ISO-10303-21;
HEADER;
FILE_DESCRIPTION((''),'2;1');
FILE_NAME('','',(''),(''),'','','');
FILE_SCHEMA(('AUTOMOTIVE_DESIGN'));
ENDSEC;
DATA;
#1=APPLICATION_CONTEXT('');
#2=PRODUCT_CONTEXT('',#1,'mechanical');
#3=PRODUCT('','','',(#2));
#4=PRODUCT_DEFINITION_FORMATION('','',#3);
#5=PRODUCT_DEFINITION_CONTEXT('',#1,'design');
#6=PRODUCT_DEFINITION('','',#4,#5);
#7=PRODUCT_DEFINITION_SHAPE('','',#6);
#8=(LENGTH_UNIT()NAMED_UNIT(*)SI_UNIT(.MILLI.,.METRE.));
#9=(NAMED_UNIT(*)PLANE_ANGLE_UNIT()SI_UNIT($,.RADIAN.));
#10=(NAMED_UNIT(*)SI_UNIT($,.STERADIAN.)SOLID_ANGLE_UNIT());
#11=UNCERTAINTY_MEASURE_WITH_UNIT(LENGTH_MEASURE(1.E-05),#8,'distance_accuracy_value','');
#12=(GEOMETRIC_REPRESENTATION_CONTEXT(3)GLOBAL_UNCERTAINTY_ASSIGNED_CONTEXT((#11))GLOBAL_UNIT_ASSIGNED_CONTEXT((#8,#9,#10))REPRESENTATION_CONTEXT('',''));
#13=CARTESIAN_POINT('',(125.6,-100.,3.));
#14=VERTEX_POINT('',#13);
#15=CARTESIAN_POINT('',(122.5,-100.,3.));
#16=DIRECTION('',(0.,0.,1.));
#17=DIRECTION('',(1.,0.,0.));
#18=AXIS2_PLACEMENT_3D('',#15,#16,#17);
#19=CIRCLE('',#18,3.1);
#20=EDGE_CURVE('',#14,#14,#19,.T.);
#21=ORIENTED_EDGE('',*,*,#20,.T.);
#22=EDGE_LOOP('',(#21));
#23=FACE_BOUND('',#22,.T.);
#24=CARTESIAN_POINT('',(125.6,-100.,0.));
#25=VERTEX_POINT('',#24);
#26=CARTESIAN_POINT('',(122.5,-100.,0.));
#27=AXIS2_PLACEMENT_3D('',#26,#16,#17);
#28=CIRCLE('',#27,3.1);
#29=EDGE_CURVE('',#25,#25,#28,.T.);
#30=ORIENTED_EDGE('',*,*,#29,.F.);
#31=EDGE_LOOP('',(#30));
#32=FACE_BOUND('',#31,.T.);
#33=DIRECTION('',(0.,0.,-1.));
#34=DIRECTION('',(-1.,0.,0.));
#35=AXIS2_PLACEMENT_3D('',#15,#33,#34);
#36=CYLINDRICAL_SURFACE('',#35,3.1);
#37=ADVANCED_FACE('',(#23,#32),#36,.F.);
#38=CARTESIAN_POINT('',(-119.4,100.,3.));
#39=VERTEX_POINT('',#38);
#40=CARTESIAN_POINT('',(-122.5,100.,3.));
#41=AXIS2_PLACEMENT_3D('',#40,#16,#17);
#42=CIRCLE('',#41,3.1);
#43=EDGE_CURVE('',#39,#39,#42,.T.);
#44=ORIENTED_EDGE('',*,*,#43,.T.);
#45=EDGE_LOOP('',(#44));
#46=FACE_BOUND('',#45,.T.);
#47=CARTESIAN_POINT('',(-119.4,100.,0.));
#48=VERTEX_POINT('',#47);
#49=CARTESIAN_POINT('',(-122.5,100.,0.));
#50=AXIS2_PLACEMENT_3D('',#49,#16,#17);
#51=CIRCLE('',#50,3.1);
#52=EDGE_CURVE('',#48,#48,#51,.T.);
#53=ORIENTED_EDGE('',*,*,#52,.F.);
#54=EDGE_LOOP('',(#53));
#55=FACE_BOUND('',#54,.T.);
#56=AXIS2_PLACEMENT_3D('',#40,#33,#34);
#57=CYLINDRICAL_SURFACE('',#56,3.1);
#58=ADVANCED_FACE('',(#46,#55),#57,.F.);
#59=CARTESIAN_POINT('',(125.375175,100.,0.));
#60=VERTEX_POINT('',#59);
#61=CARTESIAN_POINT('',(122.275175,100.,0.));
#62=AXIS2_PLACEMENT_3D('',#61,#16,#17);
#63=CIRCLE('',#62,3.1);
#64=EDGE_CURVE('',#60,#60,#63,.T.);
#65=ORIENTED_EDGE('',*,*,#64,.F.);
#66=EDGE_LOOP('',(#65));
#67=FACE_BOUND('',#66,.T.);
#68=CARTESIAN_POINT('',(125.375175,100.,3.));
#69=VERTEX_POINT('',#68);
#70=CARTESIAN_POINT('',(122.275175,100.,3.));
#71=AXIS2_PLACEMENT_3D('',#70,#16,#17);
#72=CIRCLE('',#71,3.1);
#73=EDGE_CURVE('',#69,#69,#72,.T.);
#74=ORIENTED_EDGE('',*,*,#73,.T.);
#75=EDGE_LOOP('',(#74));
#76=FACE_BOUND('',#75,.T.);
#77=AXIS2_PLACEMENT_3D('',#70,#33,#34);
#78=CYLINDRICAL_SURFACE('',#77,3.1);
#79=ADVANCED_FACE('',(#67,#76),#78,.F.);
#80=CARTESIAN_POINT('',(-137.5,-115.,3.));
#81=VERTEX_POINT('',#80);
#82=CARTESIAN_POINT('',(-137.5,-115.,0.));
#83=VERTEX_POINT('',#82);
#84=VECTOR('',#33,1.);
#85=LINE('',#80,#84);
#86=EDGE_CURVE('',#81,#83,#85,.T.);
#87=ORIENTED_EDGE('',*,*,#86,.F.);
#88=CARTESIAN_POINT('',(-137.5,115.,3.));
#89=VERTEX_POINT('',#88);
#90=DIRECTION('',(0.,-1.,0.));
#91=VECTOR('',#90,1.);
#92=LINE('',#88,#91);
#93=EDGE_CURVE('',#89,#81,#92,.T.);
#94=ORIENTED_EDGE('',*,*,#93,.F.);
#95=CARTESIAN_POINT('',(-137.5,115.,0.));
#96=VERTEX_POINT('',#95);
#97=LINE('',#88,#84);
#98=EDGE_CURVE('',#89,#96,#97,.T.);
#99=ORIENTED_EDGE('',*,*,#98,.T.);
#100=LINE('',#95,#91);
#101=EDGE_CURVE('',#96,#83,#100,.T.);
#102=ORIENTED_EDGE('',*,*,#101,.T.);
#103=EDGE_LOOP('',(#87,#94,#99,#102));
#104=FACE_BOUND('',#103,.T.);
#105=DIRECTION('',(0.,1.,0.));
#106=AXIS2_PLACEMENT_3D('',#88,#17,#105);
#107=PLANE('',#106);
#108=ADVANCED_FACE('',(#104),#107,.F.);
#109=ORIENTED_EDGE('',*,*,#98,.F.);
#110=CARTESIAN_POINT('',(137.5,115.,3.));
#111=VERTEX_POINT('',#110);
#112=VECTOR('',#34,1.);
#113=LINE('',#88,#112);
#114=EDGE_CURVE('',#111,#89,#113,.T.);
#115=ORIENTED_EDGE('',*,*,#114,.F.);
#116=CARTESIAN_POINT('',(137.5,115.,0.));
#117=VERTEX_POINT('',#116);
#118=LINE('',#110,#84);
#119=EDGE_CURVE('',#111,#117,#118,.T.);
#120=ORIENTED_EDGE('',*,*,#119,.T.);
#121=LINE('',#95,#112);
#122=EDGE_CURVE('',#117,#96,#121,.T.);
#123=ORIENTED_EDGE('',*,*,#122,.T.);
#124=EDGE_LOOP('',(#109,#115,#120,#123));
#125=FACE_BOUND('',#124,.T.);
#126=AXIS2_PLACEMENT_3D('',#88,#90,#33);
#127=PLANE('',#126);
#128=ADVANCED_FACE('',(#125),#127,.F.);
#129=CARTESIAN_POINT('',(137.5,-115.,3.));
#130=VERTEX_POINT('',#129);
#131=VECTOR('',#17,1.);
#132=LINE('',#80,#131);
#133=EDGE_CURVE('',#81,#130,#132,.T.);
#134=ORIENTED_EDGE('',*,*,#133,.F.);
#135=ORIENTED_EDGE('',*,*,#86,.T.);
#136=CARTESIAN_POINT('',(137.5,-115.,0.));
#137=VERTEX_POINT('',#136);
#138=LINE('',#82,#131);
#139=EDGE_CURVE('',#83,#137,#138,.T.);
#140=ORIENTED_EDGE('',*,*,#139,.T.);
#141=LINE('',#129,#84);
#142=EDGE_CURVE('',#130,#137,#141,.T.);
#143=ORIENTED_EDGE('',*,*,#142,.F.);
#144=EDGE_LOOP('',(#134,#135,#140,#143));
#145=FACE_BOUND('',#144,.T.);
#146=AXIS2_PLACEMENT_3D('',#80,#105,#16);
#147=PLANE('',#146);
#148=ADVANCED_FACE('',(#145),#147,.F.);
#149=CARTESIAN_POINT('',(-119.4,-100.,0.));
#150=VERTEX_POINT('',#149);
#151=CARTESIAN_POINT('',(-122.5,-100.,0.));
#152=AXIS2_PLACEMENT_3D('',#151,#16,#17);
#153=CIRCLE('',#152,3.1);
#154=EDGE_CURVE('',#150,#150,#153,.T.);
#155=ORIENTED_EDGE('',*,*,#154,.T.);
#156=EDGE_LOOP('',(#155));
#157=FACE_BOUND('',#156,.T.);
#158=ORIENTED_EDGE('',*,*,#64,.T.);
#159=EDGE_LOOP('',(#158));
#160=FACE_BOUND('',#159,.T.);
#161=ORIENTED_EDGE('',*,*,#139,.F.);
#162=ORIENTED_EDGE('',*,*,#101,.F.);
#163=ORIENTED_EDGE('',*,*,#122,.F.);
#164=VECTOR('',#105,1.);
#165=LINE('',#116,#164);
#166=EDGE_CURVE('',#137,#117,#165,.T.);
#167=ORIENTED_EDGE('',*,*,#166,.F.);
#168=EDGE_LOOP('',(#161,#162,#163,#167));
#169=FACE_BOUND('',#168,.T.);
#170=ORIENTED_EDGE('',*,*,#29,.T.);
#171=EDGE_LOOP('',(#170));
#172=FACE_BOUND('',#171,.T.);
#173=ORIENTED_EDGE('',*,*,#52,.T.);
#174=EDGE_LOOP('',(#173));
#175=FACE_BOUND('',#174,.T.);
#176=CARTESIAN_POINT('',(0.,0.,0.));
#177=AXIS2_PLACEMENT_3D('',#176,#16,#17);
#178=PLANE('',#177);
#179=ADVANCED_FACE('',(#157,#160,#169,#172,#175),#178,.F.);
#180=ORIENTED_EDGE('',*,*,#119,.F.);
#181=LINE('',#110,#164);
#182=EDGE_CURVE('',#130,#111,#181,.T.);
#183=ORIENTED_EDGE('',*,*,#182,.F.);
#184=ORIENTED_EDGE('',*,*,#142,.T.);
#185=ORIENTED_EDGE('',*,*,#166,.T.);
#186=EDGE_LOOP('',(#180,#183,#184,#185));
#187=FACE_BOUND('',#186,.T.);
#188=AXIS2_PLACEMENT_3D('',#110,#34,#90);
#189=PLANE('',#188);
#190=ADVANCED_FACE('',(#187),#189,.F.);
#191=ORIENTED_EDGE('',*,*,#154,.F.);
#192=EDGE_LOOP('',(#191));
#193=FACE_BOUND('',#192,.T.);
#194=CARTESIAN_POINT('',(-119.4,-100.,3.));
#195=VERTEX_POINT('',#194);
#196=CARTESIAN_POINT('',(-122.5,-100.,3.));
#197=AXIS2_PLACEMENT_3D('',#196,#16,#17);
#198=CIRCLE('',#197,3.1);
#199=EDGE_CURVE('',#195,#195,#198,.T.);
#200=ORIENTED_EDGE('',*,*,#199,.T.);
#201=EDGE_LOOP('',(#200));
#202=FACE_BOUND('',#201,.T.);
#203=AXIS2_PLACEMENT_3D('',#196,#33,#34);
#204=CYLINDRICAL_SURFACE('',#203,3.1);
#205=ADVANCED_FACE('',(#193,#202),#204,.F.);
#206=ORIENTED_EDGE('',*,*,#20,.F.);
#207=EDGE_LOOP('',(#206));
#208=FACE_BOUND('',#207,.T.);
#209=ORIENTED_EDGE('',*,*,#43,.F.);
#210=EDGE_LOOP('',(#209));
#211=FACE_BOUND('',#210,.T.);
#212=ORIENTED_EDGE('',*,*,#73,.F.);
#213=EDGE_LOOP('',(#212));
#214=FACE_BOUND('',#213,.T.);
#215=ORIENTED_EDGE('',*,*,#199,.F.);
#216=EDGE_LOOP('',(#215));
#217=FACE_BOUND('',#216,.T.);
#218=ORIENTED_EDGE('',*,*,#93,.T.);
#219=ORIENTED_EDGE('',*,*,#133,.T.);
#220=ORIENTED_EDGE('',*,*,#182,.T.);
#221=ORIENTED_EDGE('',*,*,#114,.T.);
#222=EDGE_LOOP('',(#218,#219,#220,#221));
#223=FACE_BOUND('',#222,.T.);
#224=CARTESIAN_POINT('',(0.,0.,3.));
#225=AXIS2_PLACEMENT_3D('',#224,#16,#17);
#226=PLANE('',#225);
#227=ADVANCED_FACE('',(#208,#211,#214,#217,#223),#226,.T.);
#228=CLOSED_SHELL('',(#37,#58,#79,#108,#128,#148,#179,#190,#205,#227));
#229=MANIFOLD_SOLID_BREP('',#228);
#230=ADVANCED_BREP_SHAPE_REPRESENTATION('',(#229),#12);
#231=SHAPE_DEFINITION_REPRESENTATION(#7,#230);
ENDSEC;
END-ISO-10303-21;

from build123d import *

# Parameters (mm, degrees)
CROQUIS1_W              = 275
CROQUIS1_H              = 230
CROQUIS1_R              = 3.1
SALIENTE_EXTRUIR1_DEPTH = 3


with BuildPart() as part:
    # Croquis1 → Saliente-Extruir1 (new body)
    with BuildSketch(Plane.XY):
        Rectangle(CROQUIS1_W, CROQUIS1_H)
        with Locations((-122.5, 100)):
            Circle(CROQUIS1_R, mode=Mode.SUBTRACT)
        with Locations((122.275174875, 100)):
            Circle(CROQUIS1_R, mode=Mode.SUBTRACT)
        with Locations((-122.5, -100)):
            Circle(CROQUIS1_R, mode=Mode.SUBTRACT)
        with Locations((122.5, -100)):
            Circle(CROQUIS1_R, mode=Mode.SUBTRACT)
    extrude(amount=SALIENTE_EXTRUIR1_DEPTH)


solid = part.part
